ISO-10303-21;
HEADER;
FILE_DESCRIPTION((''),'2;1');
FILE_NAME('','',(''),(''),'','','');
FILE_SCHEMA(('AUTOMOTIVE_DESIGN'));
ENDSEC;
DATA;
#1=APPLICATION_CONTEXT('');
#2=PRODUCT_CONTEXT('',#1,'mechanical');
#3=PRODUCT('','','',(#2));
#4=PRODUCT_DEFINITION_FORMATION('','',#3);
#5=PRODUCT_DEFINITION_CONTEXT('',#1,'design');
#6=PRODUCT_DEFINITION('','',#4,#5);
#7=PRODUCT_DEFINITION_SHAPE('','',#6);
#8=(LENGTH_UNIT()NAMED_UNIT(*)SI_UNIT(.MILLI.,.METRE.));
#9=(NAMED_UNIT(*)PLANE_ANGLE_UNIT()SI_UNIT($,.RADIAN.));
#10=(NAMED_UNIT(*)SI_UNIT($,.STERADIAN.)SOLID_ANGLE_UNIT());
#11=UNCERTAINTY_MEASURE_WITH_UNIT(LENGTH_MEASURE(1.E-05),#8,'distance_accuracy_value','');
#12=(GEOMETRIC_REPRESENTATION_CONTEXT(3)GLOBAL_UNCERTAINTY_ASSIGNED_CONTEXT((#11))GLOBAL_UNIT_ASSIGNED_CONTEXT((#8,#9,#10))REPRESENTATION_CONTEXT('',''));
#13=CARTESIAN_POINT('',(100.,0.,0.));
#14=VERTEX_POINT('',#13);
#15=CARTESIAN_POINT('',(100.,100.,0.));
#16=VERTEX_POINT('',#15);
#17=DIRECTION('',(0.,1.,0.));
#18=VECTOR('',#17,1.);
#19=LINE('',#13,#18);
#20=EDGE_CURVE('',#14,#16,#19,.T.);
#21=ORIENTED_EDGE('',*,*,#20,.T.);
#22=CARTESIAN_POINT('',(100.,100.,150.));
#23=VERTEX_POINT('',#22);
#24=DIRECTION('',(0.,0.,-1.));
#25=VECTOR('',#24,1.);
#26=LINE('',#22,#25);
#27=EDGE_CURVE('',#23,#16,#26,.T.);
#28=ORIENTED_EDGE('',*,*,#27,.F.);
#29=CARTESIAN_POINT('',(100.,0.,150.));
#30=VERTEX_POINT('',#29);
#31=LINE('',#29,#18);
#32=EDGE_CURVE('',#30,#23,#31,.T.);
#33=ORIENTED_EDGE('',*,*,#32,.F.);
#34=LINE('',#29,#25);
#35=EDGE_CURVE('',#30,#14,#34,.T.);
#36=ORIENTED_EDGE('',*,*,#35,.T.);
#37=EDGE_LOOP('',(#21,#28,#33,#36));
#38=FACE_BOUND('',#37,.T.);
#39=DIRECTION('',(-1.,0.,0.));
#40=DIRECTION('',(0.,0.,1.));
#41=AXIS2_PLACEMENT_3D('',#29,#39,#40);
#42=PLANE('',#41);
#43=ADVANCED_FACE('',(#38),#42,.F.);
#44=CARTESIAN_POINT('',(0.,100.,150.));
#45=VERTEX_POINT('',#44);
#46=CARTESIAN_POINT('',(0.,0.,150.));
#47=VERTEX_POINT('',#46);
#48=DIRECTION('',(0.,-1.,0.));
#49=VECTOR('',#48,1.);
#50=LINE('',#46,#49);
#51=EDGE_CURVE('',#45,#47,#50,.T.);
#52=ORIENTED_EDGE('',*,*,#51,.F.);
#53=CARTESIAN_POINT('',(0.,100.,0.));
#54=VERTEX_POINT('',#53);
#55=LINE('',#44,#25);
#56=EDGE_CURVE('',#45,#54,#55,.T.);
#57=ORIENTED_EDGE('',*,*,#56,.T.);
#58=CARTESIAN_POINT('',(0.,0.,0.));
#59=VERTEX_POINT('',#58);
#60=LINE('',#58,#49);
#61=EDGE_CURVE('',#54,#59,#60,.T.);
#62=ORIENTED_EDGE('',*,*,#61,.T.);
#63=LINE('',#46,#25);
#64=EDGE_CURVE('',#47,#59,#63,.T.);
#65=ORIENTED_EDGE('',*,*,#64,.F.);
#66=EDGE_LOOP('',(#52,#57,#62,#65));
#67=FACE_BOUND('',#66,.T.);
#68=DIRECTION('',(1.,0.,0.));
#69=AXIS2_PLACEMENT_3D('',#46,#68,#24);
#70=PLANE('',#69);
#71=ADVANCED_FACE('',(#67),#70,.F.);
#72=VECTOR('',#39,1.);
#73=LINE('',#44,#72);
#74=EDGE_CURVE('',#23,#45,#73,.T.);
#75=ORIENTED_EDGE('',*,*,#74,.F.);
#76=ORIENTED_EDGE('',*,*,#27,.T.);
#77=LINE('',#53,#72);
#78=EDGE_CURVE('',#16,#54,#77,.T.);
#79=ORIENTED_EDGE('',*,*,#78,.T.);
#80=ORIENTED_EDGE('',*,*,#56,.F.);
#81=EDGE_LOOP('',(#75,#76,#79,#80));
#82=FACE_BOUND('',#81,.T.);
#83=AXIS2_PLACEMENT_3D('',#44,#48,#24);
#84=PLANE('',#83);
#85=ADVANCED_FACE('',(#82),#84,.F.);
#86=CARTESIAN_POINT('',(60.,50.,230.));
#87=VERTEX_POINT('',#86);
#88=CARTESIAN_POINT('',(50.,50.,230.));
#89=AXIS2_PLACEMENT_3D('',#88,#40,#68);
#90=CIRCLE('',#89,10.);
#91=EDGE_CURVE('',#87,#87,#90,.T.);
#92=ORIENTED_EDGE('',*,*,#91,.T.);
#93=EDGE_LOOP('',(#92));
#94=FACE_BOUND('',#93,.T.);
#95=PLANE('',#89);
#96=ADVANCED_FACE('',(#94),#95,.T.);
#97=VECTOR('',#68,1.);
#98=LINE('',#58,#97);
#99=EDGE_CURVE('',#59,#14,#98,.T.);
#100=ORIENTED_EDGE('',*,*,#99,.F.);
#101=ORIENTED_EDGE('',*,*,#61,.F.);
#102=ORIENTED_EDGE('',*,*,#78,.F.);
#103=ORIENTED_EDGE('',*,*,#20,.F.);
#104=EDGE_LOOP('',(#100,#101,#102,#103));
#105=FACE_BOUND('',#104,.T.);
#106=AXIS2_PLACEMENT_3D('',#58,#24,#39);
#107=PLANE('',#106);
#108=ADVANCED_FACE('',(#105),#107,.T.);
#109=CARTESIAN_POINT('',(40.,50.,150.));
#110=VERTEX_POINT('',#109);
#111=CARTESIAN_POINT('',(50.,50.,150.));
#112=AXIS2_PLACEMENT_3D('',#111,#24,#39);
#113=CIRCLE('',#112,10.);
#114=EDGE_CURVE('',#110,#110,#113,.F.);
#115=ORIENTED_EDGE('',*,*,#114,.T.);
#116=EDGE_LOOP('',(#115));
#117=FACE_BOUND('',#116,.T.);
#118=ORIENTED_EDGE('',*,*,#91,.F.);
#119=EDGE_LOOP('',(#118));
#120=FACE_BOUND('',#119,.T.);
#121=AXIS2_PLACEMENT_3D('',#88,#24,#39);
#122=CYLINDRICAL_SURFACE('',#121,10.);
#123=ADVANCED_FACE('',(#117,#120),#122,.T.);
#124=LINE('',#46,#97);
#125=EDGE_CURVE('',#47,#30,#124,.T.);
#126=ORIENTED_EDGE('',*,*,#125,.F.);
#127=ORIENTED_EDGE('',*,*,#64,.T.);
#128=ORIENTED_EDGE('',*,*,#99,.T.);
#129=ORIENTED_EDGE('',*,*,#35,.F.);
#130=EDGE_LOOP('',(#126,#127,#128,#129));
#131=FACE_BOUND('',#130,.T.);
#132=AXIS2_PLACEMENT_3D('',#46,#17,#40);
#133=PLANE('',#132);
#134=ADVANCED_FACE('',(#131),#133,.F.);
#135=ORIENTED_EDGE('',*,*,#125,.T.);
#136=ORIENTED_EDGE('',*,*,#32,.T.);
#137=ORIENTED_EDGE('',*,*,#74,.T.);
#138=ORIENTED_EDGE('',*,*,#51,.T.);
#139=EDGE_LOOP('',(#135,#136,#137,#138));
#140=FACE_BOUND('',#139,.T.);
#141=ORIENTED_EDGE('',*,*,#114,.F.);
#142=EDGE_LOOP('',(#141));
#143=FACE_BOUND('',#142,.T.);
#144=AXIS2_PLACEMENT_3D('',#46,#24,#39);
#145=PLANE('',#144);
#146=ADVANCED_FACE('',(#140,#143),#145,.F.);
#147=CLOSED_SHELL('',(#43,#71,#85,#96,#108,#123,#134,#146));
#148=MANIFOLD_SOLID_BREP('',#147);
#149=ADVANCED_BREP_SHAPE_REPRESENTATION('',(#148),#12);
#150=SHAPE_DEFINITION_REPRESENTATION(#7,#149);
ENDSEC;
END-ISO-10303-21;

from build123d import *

# Parameters (mm, degrees)
IZIM1_W                     = 100
IZIM1_H                     = 100
Y_KSEKLIK_EKSTR_ZYON1_DEPTH = 150
IZIM2_R                     = 10
Y_KSEKLIK_EKSTR_ZYON2_DEPTH = 80


with BuildPart() as part:
    # Çizim1 → Yükseklik-Ekstrüzyon1 (new body)
    with BuildSketch(Plane.XY):
        with Locations((50, 50)):
            Rectangle(IZIM1_W, IZIM1_H)
    extrude(amount=Y_KSEKLIK_EKSTR_ZYON1_DEPTH)

    # Çizim2 → Yükseklik-Ekstrüzyon2 (add)
    with BuildSketch(Plane.XY.offset(150)):
        with Locations((50, 50)):
            Circle(IZIM2_R)
    extrude(amount=Y_KSEKLIK_EKSTR_ZYON2_DEPTH)


solid = part.part
